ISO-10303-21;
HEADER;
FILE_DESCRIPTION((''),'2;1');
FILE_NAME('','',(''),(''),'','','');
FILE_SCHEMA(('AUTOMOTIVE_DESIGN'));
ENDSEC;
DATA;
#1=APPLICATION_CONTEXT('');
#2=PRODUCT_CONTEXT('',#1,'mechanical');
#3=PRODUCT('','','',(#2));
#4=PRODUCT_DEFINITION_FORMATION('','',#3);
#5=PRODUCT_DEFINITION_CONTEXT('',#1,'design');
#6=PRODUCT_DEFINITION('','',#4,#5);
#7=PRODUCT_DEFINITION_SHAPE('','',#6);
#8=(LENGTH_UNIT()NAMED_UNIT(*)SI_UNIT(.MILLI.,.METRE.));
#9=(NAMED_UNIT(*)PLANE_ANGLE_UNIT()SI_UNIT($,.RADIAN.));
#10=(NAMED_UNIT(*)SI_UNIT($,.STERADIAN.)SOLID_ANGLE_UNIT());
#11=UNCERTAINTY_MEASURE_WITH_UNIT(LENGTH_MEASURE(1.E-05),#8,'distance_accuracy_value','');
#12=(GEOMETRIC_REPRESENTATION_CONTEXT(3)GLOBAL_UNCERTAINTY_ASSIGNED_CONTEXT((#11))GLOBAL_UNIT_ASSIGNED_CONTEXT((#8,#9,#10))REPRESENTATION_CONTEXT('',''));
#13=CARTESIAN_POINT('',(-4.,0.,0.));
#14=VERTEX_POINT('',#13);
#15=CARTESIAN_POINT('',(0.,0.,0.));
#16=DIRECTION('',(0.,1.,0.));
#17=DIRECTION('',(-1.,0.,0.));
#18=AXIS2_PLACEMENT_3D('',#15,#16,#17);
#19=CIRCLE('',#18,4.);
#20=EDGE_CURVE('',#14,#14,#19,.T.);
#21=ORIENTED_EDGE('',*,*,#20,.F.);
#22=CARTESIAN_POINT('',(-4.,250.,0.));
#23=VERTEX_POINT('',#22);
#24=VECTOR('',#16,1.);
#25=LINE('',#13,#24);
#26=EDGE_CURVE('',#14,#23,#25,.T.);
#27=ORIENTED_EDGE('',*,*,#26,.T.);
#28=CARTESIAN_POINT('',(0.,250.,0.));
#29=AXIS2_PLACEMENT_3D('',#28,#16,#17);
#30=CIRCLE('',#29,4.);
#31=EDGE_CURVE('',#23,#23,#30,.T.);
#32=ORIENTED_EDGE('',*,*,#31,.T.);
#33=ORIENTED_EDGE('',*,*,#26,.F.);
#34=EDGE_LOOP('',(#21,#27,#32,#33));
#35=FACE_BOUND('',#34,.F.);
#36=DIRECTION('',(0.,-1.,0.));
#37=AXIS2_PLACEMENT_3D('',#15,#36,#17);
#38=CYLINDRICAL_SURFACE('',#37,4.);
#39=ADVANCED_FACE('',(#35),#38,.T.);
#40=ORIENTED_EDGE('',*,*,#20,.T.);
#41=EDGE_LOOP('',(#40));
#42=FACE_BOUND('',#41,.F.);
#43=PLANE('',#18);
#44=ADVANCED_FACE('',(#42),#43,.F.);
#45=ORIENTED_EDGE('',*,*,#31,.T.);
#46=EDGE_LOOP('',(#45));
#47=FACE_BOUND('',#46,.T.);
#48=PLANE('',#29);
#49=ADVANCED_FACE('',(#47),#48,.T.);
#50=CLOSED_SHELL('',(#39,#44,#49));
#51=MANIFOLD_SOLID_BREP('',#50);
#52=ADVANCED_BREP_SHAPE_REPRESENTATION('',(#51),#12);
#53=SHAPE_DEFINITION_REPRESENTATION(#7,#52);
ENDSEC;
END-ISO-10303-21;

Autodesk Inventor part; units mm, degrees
ref_plane "YZ Plane" through (0, 0, 0) normal (1, 0, 0) x (0, 1, 0)
ref_plane "XZ Plane" through (0, 0, 0) normal (0, 1, 0) x (-1, 0, 0)
ref_plane "XY Plane" through (0, 0, 0) normal (0, 0, 1) x (1, 0, 0)
sketch "Sketch1" plane through (0, 0, 0) normal (0, 1, 0) x (-1, 0, 0)
  circle A0 centre (0, 0) radius 4
  dimension "d0" = 8
extrude "Extrusion1" add sketch "Sketch1" along normal blind 250
thread "Thread1" size "M8x1" class "6g" standard "ISO Metric profile" full length
